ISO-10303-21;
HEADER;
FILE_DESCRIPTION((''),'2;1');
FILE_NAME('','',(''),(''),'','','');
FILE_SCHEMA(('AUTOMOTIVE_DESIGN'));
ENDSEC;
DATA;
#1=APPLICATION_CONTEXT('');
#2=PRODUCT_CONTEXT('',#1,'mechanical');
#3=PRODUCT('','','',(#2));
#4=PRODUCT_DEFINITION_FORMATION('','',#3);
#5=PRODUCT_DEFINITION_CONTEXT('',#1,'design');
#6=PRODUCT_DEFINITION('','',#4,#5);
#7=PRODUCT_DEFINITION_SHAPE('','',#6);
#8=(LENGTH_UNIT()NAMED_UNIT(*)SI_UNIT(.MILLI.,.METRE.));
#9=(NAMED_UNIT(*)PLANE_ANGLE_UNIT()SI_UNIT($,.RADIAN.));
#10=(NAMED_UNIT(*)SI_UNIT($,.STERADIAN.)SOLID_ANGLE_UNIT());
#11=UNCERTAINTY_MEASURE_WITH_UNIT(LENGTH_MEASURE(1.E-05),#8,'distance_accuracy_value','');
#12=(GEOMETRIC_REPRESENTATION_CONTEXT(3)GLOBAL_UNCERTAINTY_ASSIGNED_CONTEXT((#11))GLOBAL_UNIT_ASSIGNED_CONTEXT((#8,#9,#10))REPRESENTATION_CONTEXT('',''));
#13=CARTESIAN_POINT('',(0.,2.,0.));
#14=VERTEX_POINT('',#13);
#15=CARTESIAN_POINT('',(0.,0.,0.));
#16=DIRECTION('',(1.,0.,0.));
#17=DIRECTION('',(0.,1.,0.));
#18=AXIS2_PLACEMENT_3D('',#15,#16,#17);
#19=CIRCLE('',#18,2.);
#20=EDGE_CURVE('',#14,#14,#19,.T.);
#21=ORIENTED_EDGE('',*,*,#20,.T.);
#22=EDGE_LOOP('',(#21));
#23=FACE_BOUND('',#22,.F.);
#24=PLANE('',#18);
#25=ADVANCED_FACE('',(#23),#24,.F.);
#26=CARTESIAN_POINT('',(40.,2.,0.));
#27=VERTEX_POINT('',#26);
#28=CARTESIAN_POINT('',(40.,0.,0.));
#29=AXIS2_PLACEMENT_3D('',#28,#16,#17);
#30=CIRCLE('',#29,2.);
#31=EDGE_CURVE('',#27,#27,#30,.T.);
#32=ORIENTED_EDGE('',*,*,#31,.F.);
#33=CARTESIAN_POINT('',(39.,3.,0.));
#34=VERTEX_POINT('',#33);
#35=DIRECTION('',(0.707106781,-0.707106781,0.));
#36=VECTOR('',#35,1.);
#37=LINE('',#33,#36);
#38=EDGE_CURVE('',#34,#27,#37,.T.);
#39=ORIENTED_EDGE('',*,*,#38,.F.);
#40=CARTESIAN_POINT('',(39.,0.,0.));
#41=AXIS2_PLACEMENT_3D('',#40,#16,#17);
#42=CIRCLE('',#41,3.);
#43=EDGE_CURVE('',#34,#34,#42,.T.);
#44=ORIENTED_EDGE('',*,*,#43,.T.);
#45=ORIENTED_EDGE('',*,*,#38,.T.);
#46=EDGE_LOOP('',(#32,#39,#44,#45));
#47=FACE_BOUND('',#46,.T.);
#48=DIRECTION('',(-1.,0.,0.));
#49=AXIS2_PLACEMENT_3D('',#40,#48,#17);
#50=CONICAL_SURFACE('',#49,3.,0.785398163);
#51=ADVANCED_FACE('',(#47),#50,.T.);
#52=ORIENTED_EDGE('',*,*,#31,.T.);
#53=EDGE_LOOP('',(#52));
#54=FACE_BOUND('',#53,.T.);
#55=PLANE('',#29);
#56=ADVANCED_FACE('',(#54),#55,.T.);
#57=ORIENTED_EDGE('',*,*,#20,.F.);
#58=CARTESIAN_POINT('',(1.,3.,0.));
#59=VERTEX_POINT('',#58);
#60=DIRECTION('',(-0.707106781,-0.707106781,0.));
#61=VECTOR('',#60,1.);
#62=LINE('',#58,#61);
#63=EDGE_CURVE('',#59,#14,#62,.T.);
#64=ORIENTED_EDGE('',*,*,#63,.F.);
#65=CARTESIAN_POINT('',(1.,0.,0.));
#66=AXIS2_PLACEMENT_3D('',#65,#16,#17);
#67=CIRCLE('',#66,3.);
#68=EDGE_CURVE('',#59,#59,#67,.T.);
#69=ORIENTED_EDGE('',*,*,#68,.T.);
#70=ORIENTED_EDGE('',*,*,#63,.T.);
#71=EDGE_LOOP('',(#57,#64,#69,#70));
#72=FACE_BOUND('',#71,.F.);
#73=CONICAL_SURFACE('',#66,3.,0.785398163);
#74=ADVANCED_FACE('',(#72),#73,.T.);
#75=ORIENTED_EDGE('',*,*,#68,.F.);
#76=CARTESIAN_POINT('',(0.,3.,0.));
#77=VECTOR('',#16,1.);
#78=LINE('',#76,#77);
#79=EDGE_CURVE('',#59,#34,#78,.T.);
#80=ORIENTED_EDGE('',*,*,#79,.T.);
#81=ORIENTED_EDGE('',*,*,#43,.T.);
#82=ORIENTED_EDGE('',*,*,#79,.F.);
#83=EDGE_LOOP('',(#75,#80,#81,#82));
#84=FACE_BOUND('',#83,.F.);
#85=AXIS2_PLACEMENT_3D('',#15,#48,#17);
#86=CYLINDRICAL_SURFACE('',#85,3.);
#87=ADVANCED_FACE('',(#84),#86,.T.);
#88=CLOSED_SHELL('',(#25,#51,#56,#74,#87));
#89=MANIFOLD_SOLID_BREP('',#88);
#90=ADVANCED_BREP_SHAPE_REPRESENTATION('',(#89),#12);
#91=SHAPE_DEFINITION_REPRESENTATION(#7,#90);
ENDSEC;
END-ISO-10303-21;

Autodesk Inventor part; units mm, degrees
ref_plane "YZ Plane" through (0, 0, 0) normal (1, 0, 0) x (0, 1, 0)
ref_plane "XZ Plane" through (0, 0, 0) normal (0, 1, 0) x (-1, 0, 0)
ref_plane "XY Plane" through (0, 0, 0) normal (0, 0, 1) x (1, 0, 0)
sketch "Sketch1" plane through (0, 0, 0) normal (1, 0, 0) x (0, 1, 0)
  circle A0 centre (0, 0) radius 3
  dimension "d0" = 6
extrude "Extrusion1" add sketch "Sketch1" along normal blind 40
chamfer "Chamfer1" distance 1 angle 45 2 edges at (0, -3, 0) (40, -3, 0)
properties part number "ToolDock_Bolt" material "Stainless Steel"
